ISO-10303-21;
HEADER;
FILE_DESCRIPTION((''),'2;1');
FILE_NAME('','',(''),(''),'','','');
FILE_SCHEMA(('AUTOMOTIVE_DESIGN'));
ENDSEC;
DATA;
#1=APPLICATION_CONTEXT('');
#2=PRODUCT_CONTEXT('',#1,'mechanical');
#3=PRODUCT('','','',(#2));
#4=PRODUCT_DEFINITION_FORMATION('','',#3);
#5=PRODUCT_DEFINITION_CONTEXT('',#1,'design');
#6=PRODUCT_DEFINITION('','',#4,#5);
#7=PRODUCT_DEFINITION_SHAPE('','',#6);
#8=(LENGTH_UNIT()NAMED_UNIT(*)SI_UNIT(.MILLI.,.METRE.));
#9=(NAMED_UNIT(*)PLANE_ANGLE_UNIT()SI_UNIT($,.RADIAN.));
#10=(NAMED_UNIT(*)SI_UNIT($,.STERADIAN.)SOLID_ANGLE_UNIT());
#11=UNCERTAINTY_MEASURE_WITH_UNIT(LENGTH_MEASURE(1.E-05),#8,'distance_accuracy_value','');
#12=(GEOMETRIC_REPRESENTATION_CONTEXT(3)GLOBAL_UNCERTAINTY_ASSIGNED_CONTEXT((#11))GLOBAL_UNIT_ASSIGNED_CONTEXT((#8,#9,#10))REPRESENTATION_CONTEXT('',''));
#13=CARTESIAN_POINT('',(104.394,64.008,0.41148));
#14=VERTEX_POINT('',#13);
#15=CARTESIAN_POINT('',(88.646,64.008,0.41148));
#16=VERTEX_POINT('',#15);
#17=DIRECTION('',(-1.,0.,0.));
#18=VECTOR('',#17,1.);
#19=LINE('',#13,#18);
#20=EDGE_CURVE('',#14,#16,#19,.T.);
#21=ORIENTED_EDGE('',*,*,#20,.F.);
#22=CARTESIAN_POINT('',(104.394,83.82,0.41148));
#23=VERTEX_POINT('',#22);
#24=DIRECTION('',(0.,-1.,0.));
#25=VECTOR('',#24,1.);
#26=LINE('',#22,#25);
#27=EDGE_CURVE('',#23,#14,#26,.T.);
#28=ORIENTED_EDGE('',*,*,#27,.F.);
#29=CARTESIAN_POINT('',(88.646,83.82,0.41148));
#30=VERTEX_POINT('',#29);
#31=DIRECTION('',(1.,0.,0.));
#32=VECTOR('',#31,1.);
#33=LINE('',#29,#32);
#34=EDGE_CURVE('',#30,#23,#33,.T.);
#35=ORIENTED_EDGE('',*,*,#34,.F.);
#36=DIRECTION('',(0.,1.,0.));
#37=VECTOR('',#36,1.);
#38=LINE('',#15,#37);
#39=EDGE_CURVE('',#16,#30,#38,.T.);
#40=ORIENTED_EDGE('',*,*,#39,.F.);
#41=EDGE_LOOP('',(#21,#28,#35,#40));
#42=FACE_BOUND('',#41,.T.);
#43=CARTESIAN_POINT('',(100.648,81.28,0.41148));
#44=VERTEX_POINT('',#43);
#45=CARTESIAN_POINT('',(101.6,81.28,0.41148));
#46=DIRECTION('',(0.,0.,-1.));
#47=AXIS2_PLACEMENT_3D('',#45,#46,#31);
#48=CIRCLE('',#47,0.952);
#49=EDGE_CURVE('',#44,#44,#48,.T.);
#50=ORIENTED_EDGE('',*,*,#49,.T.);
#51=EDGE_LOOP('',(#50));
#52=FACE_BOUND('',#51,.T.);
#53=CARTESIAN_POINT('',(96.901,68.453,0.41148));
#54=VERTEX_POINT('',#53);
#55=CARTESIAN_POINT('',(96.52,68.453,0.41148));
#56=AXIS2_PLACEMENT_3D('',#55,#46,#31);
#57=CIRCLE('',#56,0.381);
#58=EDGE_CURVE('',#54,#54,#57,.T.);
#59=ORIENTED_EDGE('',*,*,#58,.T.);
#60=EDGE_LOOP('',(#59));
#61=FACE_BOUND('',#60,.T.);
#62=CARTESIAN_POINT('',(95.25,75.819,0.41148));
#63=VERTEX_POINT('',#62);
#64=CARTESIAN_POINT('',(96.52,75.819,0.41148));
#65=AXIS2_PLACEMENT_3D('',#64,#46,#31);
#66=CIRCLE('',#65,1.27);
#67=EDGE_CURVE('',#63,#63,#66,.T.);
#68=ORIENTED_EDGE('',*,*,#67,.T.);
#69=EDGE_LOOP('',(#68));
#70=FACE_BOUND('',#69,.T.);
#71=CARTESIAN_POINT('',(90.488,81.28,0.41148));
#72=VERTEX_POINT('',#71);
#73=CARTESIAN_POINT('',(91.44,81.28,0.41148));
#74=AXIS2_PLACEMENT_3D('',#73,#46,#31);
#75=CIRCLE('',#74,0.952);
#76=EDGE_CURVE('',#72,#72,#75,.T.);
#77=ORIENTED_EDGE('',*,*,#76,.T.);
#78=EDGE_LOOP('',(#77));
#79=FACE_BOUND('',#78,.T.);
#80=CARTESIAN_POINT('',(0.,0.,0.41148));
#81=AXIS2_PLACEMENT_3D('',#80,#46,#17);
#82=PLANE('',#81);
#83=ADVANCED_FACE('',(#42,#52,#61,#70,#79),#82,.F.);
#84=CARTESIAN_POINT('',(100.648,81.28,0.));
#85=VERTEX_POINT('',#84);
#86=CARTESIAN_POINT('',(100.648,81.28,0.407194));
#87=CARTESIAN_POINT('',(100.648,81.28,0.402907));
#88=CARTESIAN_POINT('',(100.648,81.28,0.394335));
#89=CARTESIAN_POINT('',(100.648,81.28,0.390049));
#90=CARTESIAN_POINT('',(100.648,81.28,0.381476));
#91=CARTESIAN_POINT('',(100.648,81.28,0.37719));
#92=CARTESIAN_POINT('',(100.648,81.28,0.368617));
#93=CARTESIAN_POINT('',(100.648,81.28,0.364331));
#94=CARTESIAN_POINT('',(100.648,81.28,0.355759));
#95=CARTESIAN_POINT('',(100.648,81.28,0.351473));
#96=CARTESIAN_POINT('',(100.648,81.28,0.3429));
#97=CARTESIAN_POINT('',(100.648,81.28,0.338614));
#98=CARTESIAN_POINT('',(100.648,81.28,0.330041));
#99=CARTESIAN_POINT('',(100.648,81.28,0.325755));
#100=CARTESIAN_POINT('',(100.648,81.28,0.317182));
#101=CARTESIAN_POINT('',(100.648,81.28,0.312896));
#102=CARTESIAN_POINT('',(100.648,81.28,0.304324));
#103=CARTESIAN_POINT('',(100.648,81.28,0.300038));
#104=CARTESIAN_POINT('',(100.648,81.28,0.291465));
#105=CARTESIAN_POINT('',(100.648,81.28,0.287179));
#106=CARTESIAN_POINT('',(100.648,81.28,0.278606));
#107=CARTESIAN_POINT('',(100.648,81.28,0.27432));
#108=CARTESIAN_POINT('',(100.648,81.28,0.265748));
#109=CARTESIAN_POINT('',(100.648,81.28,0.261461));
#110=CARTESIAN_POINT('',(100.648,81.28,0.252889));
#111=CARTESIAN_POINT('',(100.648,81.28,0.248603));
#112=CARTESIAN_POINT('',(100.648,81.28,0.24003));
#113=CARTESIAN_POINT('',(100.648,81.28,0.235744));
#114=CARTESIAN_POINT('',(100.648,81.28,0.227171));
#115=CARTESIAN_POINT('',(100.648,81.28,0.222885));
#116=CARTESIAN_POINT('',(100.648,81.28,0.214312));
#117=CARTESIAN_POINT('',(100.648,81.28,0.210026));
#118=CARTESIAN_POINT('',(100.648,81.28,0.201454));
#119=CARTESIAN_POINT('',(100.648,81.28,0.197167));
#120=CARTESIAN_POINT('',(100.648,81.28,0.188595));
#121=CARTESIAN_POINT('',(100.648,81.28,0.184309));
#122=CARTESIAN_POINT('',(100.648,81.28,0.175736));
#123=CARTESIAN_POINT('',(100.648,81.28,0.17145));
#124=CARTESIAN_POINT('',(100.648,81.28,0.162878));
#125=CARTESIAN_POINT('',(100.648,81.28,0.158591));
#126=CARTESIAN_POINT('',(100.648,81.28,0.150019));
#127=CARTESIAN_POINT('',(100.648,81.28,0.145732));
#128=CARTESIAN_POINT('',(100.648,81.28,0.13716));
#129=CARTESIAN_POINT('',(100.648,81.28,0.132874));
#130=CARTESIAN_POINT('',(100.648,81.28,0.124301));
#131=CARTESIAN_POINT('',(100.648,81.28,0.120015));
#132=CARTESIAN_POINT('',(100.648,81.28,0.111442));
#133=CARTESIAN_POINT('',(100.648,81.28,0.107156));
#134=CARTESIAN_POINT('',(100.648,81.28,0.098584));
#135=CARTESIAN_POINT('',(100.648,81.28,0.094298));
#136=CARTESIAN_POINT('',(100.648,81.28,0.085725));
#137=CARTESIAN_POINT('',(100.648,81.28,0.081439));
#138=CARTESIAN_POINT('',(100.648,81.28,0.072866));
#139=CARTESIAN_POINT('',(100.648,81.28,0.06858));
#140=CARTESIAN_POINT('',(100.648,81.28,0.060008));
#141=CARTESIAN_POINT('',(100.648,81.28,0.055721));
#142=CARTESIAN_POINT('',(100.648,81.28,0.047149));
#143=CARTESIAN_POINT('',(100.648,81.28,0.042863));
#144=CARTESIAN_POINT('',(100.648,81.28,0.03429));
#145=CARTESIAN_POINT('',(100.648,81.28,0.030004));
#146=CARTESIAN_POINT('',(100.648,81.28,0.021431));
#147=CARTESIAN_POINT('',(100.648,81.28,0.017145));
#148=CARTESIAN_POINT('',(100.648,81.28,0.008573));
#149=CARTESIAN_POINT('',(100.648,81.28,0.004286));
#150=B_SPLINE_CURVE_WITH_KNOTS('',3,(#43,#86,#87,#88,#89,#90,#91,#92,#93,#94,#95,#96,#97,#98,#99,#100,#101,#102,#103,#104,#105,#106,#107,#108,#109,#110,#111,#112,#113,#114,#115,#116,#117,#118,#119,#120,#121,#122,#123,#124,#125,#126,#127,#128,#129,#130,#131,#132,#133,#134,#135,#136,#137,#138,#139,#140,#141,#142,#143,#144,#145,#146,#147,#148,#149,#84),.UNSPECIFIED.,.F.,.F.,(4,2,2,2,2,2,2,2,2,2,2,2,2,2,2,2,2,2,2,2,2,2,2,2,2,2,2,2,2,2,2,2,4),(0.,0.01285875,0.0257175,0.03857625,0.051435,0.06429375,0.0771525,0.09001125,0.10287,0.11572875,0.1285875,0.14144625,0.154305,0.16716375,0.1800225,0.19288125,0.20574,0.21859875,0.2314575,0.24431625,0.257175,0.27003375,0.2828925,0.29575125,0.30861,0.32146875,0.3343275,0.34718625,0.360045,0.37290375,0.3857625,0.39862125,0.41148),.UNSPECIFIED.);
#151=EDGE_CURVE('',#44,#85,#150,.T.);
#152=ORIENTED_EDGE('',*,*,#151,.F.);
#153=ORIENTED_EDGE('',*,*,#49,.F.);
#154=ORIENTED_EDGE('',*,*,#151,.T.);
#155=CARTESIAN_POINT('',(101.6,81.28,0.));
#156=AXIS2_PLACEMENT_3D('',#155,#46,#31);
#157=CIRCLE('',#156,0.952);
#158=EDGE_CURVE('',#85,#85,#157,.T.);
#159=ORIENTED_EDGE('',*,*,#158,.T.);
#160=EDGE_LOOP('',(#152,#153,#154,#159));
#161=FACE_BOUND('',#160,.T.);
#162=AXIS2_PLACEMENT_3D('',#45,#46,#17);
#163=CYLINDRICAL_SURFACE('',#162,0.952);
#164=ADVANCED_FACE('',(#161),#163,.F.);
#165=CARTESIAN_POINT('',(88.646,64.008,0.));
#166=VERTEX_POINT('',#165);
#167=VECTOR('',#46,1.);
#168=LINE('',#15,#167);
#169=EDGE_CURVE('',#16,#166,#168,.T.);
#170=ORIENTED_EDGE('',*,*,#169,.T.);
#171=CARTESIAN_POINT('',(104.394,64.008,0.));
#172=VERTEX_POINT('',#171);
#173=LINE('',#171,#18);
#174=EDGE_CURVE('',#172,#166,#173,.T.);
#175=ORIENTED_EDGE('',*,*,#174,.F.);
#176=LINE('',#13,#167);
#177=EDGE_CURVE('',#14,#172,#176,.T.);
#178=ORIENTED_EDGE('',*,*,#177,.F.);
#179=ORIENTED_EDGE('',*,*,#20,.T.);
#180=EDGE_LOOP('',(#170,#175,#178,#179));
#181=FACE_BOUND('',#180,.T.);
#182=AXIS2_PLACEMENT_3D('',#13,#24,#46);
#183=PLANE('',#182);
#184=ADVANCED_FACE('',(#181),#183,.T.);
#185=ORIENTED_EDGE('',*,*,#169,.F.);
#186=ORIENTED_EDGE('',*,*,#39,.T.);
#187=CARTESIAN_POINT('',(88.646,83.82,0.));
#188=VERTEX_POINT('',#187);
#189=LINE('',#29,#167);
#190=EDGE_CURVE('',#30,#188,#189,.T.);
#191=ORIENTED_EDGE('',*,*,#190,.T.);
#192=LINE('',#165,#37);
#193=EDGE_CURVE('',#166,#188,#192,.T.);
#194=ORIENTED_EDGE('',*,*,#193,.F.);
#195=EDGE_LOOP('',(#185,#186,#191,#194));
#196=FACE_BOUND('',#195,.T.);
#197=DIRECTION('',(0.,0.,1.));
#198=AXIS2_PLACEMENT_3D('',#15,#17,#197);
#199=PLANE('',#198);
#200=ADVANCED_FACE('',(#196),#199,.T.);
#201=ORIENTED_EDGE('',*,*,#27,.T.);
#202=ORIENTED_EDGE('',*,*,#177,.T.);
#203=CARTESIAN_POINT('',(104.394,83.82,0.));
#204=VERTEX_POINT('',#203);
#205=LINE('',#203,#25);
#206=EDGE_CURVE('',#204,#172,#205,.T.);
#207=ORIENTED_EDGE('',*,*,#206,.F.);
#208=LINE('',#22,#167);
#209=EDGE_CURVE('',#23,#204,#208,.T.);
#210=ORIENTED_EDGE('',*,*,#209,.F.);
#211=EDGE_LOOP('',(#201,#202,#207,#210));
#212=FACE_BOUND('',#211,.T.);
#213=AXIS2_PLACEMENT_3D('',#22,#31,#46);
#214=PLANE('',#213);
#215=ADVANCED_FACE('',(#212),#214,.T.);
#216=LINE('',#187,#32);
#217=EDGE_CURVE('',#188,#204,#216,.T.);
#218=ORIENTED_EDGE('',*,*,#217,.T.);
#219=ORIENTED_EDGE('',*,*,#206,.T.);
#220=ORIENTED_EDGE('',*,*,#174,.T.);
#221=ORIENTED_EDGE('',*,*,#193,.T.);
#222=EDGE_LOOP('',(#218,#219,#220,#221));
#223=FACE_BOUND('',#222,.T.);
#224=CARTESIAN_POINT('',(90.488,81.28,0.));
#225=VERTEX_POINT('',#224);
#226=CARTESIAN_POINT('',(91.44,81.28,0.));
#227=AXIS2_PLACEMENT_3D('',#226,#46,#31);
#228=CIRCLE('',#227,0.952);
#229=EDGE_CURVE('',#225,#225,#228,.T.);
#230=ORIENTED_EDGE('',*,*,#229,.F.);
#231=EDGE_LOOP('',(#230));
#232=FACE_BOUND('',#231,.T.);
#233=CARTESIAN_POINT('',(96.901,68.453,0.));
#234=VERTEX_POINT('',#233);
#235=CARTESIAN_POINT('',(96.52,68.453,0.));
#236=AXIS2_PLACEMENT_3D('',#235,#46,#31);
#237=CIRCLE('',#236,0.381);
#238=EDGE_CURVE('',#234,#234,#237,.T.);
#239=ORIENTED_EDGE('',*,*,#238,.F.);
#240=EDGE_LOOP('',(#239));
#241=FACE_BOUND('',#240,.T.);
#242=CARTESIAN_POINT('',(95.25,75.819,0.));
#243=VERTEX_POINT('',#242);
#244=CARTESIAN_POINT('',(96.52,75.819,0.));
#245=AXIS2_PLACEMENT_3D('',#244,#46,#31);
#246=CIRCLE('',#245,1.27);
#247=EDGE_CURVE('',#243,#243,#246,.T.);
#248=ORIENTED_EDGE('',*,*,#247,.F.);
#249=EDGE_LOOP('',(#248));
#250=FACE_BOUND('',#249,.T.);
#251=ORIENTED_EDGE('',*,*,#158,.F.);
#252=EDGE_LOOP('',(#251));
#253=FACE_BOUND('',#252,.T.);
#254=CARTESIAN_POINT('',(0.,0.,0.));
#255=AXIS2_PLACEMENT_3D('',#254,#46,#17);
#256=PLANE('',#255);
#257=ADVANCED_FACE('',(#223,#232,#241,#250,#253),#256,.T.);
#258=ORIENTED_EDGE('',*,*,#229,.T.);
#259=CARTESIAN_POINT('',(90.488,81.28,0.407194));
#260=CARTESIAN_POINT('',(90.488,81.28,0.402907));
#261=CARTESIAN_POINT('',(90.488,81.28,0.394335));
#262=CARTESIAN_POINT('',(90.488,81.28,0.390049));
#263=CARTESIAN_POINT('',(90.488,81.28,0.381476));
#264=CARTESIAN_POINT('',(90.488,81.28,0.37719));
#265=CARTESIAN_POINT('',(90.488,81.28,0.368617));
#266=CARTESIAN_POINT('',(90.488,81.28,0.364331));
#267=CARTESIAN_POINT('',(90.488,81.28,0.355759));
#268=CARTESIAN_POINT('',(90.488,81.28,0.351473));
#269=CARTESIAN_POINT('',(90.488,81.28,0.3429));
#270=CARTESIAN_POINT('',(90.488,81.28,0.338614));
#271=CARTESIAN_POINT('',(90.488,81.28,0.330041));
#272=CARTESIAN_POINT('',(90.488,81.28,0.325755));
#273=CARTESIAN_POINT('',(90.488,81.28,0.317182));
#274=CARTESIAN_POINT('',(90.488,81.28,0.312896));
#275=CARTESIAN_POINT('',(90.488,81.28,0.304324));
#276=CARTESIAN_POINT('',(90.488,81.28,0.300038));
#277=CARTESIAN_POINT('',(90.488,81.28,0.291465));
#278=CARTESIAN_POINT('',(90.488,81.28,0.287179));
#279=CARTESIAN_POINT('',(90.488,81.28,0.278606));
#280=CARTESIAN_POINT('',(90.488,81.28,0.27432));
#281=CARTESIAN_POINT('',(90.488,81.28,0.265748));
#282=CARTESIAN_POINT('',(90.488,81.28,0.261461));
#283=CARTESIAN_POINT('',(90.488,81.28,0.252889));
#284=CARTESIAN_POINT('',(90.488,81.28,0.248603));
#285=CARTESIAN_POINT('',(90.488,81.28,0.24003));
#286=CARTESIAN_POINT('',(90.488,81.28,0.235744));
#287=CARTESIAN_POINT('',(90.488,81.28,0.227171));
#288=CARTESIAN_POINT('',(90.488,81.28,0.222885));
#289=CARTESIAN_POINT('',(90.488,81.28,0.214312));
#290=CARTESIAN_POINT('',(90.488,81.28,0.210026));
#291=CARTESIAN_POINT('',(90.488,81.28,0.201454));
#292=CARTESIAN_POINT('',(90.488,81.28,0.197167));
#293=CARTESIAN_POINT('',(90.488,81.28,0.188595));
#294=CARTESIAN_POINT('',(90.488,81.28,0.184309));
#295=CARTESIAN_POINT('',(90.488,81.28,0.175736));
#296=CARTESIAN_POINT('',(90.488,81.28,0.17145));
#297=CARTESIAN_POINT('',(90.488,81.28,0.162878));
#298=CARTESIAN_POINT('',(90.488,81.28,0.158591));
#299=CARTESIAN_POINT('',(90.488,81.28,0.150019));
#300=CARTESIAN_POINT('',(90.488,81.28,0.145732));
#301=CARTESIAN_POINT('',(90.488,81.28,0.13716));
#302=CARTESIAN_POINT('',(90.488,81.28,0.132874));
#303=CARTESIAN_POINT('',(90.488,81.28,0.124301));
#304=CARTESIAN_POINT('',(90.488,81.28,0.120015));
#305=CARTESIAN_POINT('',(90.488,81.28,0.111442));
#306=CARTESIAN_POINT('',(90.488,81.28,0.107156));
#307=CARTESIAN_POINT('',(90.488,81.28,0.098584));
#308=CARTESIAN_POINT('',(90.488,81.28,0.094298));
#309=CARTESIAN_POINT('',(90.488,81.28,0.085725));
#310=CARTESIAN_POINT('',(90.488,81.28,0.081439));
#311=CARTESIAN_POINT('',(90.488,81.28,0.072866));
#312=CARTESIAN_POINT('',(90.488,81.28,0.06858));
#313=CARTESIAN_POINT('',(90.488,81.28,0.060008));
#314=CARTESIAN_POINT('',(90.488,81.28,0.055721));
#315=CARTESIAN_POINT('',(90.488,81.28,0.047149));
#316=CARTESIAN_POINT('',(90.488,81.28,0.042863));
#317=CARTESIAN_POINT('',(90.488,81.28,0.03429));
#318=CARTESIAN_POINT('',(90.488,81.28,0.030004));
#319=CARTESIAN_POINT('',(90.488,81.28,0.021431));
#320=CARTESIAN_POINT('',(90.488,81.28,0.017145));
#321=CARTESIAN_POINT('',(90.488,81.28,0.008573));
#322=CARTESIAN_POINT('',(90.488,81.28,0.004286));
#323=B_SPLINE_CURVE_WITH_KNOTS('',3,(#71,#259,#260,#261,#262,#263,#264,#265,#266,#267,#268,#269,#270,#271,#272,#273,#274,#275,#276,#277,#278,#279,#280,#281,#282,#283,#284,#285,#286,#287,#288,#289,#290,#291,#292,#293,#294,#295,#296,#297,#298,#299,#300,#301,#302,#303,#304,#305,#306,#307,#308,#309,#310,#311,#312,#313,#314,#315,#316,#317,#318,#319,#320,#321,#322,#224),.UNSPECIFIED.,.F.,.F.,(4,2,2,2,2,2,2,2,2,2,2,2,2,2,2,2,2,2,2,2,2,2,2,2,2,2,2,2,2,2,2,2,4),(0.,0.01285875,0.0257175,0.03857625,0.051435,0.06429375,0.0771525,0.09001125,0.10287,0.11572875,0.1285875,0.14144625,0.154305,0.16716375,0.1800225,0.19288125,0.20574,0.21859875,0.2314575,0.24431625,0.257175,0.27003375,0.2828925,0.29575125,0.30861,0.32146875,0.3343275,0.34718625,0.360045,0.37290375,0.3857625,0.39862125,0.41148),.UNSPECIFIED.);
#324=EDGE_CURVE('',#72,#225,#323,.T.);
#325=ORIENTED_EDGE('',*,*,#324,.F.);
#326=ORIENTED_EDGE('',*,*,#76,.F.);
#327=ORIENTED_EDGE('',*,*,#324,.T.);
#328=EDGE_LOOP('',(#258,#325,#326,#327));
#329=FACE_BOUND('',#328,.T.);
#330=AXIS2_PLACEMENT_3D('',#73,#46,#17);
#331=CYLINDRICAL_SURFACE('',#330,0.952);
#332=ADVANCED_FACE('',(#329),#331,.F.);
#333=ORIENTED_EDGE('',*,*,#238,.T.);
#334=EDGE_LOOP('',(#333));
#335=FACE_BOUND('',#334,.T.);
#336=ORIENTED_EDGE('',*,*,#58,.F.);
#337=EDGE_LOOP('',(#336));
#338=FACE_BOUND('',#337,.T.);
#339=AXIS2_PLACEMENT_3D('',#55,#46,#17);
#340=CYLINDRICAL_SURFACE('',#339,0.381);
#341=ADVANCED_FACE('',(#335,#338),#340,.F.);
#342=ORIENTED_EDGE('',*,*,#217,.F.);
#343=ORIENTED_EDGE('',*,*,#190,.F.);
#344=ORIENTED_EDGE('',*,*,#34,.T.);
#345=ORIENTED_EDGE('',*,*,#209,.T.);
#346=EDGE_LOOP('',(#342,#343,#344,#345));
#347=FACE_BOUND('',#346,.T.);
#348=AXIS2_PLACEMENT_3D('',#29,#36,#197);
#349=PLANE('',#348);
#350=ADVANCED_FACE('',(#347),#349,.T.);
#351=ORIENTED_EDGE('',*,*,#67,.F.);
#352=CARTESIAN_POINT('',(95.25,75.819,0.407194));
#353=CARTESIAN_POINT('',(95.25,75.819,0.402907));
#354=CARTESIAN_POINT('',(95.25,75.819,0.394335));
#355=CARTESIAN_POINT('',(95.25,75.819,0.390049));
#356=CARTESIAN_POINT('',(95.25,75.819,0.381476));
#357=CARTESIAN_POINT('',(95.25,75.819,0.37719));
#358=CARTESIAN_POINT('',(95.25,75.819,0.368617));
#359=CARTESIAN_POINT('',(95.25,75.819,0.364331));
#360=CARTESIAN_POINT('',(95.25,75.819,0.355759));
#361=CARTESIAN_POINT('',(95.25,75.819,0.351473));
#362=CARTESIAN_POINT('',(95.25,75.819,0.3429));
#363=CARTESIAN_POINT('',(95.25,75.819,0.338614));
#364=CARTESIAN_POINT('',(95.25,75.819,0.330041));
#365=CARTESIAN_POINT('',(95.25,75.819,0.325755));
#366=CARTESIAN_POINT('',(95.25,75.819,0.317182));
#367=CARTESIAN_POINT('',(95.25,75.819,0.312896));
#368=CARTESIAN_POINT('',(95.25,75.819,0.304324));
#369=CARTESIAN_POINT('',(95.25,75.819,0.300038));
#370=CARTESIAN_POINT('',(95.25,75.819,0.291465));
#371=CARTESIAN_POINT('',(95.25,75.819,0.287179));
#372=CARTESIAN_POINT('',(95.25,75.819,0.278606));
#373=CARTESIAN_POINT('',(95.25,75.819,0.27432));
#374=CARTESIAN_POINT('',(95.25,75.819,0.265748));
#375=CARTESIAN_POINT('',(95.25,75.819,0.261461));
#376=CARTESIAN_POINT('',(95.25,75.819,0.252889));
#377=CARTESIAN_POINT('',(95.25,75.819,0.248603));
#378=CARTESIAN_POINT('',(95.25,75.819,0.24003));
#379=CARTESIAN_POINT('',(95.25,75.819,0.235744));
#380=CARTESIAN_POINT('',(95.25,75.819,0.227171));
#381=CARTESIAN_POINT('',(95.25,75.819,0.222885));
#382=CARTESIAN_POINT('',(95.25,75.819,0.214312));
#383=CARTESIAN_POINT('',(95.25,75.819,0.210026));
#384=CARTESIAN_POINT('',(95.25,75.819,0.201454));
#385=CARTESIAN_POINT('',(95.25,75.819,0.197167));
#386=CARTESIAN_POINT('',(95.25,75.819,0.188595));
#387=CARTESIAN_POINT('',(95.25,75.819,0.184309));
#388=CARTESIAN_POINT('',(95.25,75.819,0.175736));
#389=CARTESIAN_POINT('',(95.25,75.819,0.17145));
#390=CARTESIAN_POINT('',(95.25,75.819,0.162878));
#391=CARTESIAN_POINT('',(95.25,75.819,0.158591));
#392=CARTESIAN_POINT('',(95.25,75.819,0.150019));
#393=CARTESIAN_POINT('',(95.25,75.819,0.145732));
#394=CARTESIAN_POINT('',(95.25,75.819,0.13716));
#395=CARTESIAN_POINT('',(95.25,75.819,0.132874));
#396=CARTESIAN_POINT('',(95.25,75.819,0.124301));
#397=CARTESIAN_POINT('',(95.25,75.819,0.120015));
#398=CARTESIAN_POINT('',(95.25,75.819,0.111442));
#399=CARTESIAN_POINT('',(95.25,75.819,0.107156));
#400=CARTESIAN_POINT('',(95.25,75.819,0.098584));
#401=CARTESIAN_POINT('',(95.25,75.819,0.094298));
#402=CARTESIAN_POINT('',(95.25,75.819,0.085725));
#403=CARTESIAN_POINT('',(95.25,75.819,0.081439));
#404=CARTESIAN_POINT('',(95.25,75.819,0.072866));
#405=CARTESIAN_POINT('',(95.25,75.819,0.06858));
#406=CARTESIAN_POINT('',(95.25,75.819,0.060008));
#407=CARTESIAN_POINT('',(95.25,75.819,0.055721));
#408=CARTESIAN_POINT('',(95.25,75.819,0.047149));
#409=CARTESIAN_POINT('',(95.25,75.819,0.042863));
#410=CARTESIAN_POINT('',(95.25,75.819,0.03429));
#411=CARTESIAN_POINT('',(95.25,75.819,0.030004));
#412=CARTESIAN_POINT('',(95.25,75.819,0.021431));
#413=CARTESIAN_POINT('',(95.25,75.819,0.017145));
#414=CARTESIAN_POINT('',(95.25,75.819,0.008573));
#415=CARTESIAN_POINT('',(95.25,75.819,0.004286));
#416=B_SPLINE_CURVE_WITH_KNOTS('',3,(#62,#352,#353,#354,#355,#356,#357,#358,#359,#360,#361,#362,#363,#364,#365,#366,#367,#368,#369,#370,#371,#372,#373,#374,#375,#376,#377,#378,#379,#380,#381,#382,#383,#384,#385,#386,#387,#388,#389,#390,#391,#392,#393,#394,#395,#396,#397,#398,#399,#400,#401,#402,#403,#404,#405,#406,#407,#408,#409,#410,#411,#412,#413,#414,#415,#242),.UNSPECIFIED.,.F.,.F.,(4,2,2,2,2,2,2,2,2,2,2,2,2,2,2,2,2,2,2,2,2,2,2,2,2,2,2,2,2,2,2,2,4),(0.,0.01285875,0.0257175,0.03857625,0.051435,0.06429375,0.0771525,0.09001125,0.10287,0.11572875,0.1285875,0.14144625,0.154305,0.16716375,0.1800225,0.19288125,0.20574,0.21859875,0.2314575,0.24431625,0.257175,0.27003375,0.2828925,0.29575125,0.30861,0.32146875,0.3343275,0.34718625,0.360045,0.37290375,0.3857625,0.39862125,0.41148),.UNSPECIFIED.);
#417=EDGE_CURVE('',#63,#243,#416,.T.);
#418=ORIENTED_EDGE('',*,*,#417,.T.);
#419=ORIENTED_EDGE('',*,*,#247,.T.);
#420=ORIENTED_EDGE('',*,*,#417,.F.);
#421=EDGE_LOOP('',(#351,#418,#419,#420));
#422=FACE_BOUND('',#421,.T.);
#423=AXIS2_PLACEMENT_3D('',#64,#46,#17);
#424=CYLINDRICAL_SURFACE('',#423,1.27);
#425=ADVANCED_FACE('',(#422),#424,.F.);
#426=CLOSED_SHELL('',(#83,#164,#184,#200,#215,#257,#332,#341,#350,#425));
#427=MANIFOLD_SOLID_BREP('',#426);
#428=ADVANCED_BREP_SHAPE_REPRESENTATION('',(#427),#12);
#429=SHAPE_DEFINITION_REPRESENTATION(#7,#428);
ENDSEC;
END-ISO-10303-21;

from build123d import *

# Parameters (mm, degrees)
SKETCH1_W           = 15.748
SKETCH1_H           = 19.812
SKETCH1_R           = 1.27
SKETCH1_R_2         = 0.952
SKETCH1_R_3         = 0.381
BOSS_EXTRUDE1_DEPTH = 0.41148


with BuildPart() as part:
    # Sketch1 → Boss-Extrude1 (new body)
    with BuildSketch(Plane(origin=(0, 0, 0), x_dir=(-1, 0, 0), z_dir=(0, 0, -1))):
        with Locations((-96.52, 73.914)):
            Rectangle(SKETCH1_W, SKETCH1_H)
        with Locations((-96.52, 75.819)):
            Circle(SKETCH1_R, mode=Mode.SUBTRACT)
        with Locations((-91.44, 81.28)):
            Circle(SKETCH1_R_2, mode=Mode.SUBTRACT)
        with Locations(Location((-96.52, 68.453, 0), (0, 0, 180))):
            Circle(SKETCH1_R_3, mode=Mode.SUBTRACT)
        with Locations((-101.6, 81.28)):
            Circle(SKETCH1_R_2, mode=Mode.SUBTRACT)
    extrude(amount=-BOSS_EXTRUDE1_DEPTH)


solid = part.part
